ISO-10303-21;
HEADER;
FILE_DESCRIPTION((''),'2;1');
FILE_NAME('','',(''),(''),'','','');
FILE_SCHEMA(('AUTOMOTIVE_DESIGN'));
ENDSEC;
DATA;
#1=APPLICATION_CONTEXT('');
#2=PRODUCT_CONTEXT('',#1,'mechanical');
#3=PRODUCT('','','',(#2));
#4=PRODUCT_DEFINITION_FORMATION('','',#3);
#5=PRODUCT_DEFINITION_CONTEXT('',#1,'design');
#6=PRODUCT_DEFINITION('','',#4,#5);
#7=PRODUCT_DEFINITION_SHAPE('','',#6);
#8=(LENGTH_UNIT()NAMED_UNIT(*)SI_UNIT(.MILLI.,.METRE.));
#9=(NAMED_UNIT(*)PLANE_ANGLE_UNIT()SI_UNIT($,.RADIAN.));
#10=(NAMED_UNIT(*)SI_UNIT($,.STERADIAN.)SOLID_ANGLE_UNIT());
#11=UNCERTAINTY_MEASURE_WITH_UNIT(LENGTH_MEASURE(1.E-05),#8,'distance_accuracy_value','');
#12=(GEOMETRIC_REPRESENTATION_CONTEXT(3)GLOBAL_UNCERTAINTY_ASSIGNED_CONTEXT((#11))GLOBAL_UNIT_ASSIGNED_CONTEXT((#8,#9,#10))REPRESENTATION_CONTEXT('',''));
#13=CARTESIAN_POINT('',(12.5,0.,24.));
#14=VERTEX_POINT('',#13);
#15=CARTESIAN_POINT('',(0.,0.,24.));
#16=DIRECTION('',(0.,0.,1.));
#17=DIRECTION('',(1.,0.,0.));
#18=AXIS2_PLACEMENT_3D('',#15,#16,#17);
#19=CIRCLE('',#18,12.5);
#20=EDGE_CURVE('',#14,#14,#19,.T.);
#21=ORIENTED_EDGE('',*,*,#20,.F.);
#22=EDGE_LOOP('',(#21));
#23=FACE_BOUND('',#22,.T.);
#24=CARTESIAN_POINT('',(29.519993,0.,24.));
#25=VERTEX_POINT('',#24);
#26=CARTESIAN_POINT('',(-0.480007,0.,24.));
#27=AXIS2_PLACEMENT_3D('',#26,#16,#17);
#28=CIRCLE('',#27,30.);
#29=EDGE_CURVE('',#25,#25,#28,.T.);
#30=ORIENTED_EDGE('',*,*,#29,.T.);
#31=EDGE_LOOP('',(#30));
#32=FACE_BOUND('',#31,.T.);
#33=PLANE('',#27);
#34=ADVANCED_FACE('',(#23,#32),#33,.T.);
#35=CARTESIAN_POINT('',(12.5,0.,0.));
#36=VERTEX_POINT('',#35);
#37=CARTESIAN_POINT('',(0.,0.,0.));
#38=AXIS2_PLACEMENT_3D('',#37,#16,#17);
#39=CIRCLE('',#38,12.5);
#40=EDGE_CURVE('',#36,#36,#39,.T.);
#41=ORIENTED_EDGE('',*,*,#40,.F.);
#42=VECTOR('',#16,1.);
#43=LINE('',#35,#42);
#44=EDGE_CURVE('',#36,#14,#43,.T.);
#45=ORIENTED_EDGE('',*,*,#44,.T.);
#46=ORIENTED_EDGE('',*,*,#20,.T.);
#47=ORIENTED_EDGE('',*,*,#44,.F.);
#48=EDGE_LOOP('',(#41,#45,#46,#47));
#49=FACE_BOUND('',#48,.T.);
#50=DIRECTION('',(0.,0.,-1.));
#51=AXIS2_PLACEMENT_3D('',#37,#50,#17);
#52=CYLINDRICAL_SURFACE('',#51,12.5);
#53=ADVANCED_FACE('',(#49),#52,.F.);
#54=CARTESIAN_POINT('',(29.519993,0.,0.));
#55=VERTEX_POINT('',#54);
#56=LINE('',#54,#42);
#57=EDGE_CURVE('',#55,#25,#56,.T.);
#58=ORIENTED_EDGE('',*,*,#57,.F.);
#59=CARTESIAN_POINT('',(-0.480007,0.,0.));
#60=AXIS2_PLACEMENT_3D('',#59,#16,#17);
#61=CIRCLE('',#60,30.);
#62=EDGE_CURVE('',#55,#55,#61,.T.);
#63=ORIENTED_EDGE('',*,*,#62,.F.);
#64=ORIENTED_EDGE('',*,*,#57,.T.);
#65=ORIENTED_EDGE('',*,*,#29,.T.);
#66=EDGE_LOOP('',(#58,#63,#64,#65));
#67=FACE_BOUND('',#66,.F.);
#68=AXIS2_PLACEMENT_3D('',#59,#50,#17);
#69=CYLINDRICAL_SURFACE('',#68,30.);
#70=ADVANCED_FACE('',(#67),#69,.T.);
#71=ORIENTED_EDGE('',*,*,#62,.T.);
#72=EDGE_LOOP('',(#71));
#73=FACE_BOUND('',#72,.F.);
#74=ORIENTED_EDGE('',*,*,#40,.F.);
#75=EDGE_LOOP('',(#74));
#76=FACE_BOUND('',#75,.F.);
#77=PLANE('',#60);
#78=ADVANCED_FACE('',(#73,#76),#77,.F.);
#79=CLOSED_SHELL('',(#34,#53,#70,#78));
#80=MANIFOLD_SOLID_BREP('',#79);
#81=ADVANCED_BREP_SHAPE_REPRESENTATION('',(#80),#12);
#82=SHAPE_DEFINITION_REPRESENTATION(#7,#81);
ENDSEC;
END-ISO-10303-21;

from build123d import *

# Parameters (mm, degrees)
SKETCH1_R           = 30
SKETCH1_R_2         = 12.5
BOSS_EXTRUDE1_DEPTH = 24


with BuildPart() as part:
    # Sketch1 → Boss-Extrude1 (new body)
    with BuildSketch(Plane.XY):
        with Locations((-0.480006827, 0)):
            Circle(SKETCH1_R)
        Circle(SKETCH1_R_2, mode=Mode.SUBTRACT)
    extrude(amount=BOSS_EXTRUDE1_DEPTH)


solid = part.part
